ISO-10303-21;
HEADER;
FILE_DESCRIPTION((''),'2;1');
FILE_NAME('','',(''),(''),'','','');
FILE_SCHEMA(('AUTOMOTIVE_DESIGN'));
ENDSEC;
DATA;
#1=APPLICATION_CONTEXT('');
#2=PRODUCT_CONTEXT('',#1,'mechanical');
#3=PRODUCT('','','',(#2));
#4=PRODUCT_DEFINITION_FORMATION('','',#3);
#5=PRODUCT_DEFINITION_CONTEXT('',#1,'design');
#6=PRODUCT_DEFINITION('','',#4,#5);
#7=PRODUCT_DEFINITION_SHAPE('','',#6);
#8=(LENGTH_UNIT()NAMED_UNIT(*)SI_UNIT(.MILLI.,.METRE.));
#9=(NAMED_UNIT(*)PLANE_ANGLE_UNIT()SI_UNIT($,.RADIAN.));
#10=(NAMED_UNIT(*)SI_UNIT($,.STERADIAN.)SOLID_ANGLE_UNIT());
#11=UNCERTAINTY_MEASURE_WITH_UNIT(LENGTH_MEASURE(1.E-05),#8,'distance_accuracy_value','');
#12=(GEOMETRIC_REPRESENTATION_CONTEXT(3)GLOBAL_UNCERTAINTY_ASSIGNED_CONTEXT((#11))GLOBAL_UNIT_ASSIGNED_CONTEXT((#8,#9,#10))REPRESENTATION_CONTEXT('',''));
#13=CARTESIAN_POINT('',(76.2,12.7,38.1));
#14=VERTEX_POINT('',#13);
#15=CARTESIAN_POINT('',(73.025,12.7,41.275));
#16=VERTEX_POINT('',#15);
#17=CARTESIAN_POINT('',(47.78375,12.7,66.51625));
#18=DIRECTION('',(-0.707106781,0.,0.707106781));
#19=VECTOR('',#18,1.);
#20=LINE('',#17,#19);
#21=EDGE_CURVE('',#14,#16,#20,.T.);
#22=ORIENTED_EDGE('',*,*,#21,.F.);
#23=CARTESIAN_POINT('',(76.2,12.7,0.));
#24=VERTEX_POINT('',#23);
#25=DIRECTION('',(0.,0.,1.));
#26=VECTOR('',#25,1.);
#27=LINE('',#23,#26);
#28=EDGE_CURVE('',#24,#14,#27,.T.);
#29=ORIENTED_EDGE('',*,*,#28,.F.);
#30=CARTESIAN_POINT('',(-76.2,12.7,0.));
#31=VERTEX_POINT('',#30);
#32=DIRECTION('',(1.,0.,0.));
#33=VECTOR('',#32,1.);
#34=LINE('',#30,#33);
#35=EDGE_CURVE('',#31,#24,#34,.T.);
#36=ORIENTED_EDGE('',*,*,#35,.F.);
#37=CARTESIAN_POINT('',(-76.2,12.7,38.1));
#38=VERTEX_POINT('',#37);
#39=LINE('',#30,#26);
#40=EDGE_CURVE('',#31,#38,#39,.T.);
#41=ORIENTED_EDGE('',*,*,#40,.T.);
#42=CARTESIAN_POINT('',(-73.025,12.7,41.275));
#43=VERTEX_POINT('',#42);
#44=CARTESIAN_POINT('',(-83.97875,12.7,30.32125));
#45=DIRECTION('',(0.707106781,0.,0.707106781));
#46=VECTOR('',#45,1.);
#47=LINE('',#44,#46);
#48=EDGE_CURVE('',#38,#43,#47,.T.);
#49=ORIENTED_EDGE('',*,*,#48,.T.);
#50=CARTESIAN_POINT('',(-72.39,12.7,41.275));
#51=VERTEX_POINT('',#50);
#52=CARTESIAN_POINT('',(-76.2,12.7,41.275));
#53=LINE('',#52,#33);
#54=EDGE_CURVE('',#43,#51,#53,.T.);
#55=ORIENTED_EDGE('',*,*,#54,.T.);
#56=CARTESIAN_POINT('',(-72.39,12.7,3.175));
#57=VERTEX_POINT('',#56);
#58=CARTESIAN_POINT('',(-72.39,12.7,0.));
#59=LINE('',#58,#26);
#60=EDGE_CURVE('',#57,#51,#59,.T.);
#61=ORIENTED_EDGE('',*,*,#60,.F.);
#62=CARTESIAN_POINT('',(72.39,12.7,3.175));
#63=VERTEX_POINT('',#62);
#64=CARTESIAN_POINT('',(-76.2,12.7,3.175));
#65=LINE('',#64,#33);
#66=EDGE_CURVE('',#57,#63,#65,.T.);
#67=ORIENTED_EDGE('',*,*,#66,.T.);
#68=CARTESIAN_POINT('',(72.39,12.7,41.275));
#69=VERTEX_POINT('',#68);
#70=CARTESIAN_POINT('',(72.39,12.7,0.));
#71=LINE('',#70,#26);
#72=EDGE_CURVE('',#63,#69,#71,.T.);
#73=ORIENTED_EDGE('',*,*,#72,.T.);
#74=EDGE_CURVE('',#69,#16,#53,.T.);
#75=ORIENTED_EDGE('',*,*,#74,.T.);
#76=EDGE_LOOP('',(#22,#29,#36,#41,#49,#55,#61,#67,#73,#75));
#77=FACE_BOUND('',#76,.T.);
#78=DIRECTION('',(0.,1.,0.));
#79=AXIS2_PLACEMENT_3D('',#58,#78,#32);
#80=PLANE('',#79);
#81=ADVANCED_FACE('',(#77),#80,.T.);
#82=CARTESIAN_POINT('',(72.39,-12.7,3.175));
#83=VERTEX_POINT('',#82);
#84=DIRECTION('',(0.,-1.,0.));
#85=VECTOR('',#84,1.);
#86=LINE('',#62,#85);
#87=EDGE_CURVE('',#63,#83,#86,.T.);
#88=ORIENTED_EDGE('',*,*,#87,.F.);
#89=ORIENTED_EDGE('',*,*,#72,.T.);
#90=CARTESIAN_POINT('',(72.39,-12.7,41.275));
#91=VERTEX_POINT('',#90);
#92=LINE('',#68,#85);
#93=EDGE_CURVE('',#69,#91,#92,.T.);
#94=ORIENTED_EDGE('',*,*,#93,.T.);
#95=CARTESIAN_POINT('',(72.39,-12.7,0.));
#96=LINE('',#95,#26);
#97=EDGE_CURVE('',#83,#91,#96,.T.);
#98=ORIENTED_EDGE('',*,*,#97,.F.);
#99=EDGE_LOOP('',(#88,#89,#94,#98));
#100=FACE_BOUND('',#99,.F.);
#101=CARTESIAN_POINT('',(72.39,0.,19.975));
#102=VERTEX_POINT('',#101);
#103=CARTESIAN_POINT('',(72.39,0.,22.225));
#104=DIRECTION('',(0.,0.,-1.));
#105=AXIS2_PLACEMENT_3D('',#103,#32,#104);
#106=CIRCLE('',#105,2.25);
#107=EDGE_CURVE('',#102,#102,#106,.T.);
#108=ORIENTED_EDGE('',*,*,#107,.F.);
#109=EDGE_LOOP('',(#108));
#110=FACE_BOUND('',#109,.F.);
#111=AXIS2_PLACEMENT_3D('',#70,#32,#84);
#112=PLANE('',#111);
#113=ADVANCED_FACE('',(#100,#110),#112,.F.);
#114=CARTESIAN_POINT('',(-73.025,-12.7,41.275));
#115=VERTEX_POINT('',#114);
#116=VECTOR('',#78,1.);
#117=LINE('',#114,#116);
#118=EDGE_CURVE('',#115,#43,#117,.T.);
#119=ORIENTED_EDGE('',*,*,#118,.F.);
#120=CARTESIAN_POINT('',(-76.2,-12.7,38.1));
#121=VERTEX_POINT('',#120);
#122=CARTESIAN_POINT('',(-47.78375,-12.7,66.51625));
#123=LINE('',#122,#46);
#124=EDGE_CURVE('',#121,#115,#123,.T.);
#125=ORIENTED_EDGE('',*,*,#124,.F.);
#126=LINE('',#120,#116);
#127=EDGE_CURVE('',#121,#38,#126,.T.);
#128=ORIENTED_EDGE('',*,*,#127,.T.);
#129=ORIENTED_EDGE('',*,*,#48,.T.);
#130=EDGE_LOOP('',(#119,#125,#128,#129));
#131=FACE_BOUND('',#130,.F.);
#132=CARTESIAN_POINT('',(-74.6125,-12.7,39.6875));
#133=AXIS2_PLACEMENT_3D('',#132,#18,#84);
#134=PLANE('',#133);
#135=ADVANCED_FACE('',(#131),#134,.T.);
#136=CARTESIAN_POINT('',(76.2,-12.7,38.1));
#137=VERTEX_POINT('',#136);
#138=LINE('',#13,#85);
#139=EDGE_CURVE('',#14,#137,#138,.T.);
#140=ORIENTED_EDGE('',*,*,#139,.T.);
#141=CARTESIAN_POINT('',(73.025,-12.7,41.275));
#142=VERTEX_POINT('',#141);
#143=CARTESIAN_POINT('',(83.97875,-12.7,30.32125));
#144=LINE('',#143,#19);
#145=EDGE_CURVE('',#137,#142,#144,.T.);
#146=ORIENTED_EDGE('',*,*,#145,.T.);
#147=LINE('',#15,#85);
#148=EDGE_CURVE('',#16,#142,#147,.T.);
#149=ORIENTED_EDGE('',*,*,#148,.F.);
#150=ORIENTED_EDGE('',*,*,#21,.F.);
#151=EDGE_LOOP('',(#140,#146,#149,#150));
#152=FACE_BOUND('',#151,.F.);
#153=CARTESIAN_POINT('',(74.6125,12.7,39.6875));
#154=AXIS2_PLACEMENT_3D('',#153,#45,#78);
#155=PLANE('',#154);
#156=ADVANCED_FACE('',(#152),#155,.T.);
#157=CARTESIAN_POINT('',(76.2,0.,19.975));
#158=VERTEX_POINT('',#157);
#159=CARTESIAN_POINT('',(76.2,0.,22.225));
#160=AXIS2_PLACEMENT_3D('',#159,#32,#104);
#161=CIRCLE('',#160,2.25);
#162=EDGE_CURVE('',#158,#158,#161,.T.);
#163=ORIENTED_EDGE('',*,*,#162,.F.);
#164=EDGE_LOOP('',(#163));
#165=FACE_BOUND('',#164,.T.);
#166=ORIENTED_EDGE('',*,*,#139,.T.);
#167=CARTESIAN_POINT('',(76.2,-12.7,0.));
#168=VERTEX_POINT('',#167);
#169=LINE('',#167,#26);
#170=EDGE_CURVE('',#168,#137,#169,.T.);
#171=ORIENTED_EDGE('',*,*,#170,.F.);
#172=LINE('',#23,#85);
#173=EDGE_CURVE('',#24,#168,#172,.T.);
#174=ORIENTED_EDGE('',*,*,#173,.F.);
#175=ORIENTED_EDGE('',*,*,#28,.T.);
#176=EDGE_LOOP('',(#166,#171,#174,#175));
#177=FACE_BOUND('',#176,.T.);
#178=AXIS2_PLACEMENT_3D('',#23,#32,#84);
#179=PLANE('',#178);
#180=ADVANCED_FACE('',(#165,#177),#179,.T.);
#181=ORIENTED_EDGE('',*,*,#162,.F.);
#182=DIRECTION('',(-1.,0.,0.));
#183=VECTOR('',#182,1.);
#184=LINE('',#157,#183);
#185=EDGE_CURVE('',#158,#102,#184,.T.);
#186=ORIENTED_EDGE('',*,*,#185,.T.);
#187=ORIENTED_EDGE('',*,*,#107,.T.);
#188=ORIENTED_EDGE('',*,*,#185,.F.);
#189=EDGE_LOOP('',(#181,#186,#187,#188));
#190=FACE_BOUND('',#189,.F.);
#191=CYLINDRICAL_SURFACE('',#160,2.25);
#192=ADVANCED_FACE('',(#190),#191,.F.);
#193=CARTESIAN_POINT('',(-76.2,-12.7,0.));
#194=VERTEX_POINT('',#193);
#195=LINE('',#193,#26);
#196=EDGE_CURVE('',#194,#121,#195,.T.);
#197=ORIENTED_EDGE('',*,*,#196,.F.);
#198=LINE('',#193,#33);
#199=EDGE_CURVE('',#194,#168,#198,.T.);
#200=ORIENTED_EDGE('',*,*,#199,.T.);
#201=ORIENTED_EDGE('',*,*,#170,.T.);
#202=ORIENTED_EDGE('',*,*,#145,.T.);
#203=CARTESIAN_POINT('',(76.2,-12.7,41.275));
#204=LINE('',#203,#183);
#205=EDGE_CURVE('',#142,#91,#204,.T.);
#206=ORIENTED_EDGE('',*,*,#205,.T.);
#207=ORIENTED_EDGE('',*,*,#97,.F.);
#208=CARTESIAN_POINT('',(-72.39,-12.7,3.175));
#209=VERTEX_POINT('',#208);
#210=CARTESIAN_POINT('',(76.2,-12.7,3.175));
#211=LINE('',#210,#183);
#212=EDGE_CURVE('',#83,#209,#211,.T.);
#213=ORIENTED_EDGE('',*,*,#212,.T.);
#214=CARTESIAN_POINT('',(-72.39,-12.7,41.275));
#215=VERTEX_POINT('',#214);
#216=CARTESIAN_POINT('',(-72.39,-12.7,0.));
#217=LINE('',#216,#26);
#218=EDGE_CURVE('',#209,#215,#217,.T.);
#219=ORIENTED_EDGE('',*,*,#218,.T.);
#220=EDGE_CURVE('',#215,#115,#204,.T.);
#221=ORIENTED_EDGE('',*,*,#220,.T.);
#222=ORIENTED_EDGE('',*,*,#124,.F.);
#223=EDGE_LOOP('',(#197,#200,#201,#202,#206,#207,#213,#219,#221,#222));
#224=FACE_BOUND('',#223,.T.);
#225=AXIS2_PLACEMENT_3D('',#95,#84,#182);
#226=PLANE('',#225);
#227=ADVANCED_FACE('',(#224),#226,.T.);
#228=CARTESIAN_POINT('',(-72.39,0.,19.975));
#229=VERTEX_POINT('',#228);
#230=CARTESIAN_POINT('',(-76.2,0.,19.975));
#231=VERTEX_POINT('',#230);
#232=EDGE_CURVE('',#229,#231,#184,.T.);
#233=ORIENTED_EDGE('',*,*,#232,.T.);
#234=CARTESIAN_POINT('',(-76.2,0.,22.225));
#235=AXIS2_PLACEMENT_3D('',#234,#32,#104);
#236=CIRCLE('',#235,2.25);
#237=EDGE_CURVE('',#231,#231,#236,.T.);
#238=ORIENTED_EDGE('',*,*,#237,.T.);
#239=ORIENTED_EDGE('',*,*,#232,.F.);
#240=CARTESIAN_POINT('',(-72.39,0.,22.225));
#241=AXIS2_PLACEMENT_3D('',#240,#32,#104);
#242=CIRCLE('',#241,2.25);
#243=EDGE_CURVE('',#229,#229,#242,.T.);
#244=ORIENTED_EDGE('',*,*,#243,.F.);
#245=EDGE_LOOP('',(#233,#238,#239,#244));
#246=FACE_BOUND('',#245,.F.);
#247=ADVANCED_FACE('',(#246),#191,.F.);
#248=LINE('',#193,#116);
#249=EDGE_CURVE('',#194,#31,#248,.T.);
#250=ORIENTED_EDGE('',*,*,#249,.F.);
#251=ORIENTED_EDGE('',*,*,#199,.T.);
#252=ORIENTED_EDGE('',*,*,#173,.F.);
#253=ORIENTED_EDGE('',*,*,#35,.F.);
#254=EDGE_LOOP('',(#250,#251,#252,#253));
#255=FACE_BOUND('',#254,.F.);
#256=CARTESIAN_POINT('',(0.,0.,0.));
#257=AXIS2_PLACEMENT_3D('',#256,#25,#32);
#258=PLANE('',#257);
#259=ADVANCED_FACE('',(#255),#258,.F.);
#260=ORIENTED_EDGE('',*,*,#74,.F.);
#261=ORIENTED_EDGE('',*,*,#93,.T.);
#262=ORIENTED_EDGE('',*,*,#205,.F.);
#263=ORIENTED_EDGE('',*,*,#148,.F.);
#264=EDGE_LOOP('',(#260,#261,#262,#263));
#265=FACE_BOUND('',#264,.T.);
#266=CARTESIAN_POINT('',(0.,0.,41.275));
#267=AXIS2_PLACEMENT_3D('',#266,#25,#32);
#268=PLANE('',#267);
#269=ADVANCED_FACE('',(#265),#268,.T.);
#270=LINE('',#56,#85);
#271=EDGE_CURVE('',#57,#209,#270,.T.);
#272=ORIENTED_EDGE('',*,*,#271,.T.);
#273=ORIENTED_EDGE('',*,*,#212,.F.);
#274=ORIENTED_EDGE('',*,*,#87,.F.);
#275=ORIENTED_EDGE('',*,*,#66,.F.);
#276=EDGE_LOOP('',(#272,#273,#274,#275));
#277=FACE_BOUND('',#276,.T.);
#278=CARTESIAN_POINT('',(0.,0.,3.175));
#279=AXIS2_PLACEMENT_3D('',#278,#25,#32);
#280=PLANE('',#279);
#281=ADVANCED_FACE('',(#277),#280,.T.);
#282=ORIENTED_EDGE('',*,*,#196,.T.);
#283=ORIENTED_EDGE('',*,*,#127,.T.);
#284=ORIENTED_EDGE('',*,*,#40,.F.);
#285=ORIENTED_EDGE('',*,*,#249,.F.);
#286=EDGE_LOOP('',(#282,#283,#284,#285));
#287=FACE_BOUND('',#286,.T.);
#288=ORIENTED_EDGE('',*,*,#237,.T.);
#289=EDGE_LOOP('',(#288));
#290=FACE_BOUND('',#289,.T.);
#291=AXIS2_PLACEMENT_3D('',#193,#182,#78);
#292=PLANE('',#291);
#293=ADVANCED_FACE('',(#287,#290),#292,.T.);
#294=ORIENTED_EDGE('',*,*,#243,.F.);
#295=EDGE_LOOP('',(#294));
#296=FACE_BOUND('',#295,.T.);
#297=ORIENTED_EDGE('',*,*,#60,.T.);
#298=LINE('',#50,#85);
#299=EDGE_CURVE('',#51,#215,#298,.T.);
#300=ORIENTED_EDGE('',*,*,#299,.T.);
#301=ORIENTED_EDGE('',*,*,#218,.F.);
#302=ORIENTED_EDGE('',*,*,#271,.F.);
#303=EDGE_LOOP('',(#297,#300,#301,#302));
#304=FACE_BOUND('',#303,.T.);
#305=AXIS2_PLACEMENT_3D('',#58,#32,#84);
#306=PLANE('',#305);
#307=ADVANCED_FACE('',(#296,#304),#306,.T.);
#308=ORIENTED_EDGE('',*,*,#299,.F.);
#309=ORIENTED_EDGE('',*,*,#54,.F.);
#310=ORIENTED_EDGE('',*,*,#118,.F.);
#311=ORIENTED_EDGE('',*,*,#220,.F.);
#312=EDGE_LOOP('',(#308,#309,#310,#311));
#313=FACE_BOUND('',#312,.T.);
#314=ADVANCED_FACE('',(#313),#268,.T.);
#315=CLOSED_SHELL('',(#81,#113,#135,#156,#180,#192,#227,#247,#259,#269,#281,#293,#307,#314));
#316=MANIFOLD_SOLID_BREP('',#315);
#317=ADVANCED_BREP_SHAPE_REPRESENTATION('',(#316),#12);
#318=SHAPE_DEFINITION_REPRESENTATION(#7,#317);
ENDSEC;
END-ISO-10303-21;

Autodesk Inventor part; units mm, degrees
ref_plane "YZ Plane" through (0, 0, 0) normal (1, 0, 0) x (0, 1, 0)
ref_plane "XZ Plane" through (0, 0, 0) normal (0, 1, 0) x (-1, 0, 0)
ref_plane "XY Plane" through (0, 0, 0) normal (0, 0, 1) x (1, 0, 0)
sketch "Sketch1" plane through (0, 0, 0) normal (0, 0, 1) x (1, 0, 0)
  line L0 (76.2, -12.7) -> (-76.2, -12.7)
  line L1 (-76.2, -12.7) -> (-76.2, 12.7)
  line L2 (-76.2, 12.7) -> (76.2, 12.7)
  line L3 (76.2, 12.7) -> (76.2, -12.7)
  line L4 (76.2, -12.7) -> (-76.2, 12.7) construction
  line L5 (-76.2, -12.7) -> (76.2, 12.7) construction
  line L6 (-76.2, 12.7) -> (-72.39, 12.7)
  line L7 (-72.39, 12.7) -> (-72.39, -12.7)
  line L8 (-72.39, -12.7) -> (-76.2, -12.7)
  line L9 (-76.2, -12.7) -> (-76.2, 12.7)
  line L10 (76.2, 12.7) -> (72.39, 12.7)
  line L11 (72.39, 12.7) -> (72.39, -12.7)
  line L12 (72.39, -12.7) -> (76.2, -12.7)
  line L13 (76.2, -12.7) -> (76.2, 12.7)
  point P0 (0, 0)
  dimension "d0" = 152.4
  dimension "d1" = 25.4
  dimension "d2" = 3.81
  dimension "d3" = 3.81
extrude "Extrusion1" add sketch "Sketch1" along normal blind 3.175 contours L0 L7 L2 L11
extrude "Extrusion2" add sketch "Sketch1" along normal blind 41.275 contours L0 L11 L2 L3 | L0 L1 L2 L7
chamfer "Chamfer1" distance 3.175 angle 45 2 edges at (-76.2, 0, 41.275) (76.2, 0, 41.275)
sketch "Sketch2" plane through (76.2, -12.7, 0) normal (1, 0, 0) x (0, 0, -1)
  line L0 (-3.175, 25.4) -> (-41.275, 25.4) construction
  line L1 (-22.225, 25.4) -> (-22.225, 0) construction
  line L2 (0, 0) -> (-38.1, 0) construction
  line L3 (-41.275, 0) -> (-41.275, 25.4) construction
  line L4 (-41.275, 12.7) -> (0, 12.7) construction
  circle A0 centre (-22.225, 12.7) radius 2.25
  line L5 (-3.175, 0) -> (-3.175, 25.4) projected
  dimension "d11" = 4.5
  dimension "d14" = 19.05
extrude "Extrusion3" cut sketch "Sketch2" against normal through all
properties part number "New_Arm_Brace"
